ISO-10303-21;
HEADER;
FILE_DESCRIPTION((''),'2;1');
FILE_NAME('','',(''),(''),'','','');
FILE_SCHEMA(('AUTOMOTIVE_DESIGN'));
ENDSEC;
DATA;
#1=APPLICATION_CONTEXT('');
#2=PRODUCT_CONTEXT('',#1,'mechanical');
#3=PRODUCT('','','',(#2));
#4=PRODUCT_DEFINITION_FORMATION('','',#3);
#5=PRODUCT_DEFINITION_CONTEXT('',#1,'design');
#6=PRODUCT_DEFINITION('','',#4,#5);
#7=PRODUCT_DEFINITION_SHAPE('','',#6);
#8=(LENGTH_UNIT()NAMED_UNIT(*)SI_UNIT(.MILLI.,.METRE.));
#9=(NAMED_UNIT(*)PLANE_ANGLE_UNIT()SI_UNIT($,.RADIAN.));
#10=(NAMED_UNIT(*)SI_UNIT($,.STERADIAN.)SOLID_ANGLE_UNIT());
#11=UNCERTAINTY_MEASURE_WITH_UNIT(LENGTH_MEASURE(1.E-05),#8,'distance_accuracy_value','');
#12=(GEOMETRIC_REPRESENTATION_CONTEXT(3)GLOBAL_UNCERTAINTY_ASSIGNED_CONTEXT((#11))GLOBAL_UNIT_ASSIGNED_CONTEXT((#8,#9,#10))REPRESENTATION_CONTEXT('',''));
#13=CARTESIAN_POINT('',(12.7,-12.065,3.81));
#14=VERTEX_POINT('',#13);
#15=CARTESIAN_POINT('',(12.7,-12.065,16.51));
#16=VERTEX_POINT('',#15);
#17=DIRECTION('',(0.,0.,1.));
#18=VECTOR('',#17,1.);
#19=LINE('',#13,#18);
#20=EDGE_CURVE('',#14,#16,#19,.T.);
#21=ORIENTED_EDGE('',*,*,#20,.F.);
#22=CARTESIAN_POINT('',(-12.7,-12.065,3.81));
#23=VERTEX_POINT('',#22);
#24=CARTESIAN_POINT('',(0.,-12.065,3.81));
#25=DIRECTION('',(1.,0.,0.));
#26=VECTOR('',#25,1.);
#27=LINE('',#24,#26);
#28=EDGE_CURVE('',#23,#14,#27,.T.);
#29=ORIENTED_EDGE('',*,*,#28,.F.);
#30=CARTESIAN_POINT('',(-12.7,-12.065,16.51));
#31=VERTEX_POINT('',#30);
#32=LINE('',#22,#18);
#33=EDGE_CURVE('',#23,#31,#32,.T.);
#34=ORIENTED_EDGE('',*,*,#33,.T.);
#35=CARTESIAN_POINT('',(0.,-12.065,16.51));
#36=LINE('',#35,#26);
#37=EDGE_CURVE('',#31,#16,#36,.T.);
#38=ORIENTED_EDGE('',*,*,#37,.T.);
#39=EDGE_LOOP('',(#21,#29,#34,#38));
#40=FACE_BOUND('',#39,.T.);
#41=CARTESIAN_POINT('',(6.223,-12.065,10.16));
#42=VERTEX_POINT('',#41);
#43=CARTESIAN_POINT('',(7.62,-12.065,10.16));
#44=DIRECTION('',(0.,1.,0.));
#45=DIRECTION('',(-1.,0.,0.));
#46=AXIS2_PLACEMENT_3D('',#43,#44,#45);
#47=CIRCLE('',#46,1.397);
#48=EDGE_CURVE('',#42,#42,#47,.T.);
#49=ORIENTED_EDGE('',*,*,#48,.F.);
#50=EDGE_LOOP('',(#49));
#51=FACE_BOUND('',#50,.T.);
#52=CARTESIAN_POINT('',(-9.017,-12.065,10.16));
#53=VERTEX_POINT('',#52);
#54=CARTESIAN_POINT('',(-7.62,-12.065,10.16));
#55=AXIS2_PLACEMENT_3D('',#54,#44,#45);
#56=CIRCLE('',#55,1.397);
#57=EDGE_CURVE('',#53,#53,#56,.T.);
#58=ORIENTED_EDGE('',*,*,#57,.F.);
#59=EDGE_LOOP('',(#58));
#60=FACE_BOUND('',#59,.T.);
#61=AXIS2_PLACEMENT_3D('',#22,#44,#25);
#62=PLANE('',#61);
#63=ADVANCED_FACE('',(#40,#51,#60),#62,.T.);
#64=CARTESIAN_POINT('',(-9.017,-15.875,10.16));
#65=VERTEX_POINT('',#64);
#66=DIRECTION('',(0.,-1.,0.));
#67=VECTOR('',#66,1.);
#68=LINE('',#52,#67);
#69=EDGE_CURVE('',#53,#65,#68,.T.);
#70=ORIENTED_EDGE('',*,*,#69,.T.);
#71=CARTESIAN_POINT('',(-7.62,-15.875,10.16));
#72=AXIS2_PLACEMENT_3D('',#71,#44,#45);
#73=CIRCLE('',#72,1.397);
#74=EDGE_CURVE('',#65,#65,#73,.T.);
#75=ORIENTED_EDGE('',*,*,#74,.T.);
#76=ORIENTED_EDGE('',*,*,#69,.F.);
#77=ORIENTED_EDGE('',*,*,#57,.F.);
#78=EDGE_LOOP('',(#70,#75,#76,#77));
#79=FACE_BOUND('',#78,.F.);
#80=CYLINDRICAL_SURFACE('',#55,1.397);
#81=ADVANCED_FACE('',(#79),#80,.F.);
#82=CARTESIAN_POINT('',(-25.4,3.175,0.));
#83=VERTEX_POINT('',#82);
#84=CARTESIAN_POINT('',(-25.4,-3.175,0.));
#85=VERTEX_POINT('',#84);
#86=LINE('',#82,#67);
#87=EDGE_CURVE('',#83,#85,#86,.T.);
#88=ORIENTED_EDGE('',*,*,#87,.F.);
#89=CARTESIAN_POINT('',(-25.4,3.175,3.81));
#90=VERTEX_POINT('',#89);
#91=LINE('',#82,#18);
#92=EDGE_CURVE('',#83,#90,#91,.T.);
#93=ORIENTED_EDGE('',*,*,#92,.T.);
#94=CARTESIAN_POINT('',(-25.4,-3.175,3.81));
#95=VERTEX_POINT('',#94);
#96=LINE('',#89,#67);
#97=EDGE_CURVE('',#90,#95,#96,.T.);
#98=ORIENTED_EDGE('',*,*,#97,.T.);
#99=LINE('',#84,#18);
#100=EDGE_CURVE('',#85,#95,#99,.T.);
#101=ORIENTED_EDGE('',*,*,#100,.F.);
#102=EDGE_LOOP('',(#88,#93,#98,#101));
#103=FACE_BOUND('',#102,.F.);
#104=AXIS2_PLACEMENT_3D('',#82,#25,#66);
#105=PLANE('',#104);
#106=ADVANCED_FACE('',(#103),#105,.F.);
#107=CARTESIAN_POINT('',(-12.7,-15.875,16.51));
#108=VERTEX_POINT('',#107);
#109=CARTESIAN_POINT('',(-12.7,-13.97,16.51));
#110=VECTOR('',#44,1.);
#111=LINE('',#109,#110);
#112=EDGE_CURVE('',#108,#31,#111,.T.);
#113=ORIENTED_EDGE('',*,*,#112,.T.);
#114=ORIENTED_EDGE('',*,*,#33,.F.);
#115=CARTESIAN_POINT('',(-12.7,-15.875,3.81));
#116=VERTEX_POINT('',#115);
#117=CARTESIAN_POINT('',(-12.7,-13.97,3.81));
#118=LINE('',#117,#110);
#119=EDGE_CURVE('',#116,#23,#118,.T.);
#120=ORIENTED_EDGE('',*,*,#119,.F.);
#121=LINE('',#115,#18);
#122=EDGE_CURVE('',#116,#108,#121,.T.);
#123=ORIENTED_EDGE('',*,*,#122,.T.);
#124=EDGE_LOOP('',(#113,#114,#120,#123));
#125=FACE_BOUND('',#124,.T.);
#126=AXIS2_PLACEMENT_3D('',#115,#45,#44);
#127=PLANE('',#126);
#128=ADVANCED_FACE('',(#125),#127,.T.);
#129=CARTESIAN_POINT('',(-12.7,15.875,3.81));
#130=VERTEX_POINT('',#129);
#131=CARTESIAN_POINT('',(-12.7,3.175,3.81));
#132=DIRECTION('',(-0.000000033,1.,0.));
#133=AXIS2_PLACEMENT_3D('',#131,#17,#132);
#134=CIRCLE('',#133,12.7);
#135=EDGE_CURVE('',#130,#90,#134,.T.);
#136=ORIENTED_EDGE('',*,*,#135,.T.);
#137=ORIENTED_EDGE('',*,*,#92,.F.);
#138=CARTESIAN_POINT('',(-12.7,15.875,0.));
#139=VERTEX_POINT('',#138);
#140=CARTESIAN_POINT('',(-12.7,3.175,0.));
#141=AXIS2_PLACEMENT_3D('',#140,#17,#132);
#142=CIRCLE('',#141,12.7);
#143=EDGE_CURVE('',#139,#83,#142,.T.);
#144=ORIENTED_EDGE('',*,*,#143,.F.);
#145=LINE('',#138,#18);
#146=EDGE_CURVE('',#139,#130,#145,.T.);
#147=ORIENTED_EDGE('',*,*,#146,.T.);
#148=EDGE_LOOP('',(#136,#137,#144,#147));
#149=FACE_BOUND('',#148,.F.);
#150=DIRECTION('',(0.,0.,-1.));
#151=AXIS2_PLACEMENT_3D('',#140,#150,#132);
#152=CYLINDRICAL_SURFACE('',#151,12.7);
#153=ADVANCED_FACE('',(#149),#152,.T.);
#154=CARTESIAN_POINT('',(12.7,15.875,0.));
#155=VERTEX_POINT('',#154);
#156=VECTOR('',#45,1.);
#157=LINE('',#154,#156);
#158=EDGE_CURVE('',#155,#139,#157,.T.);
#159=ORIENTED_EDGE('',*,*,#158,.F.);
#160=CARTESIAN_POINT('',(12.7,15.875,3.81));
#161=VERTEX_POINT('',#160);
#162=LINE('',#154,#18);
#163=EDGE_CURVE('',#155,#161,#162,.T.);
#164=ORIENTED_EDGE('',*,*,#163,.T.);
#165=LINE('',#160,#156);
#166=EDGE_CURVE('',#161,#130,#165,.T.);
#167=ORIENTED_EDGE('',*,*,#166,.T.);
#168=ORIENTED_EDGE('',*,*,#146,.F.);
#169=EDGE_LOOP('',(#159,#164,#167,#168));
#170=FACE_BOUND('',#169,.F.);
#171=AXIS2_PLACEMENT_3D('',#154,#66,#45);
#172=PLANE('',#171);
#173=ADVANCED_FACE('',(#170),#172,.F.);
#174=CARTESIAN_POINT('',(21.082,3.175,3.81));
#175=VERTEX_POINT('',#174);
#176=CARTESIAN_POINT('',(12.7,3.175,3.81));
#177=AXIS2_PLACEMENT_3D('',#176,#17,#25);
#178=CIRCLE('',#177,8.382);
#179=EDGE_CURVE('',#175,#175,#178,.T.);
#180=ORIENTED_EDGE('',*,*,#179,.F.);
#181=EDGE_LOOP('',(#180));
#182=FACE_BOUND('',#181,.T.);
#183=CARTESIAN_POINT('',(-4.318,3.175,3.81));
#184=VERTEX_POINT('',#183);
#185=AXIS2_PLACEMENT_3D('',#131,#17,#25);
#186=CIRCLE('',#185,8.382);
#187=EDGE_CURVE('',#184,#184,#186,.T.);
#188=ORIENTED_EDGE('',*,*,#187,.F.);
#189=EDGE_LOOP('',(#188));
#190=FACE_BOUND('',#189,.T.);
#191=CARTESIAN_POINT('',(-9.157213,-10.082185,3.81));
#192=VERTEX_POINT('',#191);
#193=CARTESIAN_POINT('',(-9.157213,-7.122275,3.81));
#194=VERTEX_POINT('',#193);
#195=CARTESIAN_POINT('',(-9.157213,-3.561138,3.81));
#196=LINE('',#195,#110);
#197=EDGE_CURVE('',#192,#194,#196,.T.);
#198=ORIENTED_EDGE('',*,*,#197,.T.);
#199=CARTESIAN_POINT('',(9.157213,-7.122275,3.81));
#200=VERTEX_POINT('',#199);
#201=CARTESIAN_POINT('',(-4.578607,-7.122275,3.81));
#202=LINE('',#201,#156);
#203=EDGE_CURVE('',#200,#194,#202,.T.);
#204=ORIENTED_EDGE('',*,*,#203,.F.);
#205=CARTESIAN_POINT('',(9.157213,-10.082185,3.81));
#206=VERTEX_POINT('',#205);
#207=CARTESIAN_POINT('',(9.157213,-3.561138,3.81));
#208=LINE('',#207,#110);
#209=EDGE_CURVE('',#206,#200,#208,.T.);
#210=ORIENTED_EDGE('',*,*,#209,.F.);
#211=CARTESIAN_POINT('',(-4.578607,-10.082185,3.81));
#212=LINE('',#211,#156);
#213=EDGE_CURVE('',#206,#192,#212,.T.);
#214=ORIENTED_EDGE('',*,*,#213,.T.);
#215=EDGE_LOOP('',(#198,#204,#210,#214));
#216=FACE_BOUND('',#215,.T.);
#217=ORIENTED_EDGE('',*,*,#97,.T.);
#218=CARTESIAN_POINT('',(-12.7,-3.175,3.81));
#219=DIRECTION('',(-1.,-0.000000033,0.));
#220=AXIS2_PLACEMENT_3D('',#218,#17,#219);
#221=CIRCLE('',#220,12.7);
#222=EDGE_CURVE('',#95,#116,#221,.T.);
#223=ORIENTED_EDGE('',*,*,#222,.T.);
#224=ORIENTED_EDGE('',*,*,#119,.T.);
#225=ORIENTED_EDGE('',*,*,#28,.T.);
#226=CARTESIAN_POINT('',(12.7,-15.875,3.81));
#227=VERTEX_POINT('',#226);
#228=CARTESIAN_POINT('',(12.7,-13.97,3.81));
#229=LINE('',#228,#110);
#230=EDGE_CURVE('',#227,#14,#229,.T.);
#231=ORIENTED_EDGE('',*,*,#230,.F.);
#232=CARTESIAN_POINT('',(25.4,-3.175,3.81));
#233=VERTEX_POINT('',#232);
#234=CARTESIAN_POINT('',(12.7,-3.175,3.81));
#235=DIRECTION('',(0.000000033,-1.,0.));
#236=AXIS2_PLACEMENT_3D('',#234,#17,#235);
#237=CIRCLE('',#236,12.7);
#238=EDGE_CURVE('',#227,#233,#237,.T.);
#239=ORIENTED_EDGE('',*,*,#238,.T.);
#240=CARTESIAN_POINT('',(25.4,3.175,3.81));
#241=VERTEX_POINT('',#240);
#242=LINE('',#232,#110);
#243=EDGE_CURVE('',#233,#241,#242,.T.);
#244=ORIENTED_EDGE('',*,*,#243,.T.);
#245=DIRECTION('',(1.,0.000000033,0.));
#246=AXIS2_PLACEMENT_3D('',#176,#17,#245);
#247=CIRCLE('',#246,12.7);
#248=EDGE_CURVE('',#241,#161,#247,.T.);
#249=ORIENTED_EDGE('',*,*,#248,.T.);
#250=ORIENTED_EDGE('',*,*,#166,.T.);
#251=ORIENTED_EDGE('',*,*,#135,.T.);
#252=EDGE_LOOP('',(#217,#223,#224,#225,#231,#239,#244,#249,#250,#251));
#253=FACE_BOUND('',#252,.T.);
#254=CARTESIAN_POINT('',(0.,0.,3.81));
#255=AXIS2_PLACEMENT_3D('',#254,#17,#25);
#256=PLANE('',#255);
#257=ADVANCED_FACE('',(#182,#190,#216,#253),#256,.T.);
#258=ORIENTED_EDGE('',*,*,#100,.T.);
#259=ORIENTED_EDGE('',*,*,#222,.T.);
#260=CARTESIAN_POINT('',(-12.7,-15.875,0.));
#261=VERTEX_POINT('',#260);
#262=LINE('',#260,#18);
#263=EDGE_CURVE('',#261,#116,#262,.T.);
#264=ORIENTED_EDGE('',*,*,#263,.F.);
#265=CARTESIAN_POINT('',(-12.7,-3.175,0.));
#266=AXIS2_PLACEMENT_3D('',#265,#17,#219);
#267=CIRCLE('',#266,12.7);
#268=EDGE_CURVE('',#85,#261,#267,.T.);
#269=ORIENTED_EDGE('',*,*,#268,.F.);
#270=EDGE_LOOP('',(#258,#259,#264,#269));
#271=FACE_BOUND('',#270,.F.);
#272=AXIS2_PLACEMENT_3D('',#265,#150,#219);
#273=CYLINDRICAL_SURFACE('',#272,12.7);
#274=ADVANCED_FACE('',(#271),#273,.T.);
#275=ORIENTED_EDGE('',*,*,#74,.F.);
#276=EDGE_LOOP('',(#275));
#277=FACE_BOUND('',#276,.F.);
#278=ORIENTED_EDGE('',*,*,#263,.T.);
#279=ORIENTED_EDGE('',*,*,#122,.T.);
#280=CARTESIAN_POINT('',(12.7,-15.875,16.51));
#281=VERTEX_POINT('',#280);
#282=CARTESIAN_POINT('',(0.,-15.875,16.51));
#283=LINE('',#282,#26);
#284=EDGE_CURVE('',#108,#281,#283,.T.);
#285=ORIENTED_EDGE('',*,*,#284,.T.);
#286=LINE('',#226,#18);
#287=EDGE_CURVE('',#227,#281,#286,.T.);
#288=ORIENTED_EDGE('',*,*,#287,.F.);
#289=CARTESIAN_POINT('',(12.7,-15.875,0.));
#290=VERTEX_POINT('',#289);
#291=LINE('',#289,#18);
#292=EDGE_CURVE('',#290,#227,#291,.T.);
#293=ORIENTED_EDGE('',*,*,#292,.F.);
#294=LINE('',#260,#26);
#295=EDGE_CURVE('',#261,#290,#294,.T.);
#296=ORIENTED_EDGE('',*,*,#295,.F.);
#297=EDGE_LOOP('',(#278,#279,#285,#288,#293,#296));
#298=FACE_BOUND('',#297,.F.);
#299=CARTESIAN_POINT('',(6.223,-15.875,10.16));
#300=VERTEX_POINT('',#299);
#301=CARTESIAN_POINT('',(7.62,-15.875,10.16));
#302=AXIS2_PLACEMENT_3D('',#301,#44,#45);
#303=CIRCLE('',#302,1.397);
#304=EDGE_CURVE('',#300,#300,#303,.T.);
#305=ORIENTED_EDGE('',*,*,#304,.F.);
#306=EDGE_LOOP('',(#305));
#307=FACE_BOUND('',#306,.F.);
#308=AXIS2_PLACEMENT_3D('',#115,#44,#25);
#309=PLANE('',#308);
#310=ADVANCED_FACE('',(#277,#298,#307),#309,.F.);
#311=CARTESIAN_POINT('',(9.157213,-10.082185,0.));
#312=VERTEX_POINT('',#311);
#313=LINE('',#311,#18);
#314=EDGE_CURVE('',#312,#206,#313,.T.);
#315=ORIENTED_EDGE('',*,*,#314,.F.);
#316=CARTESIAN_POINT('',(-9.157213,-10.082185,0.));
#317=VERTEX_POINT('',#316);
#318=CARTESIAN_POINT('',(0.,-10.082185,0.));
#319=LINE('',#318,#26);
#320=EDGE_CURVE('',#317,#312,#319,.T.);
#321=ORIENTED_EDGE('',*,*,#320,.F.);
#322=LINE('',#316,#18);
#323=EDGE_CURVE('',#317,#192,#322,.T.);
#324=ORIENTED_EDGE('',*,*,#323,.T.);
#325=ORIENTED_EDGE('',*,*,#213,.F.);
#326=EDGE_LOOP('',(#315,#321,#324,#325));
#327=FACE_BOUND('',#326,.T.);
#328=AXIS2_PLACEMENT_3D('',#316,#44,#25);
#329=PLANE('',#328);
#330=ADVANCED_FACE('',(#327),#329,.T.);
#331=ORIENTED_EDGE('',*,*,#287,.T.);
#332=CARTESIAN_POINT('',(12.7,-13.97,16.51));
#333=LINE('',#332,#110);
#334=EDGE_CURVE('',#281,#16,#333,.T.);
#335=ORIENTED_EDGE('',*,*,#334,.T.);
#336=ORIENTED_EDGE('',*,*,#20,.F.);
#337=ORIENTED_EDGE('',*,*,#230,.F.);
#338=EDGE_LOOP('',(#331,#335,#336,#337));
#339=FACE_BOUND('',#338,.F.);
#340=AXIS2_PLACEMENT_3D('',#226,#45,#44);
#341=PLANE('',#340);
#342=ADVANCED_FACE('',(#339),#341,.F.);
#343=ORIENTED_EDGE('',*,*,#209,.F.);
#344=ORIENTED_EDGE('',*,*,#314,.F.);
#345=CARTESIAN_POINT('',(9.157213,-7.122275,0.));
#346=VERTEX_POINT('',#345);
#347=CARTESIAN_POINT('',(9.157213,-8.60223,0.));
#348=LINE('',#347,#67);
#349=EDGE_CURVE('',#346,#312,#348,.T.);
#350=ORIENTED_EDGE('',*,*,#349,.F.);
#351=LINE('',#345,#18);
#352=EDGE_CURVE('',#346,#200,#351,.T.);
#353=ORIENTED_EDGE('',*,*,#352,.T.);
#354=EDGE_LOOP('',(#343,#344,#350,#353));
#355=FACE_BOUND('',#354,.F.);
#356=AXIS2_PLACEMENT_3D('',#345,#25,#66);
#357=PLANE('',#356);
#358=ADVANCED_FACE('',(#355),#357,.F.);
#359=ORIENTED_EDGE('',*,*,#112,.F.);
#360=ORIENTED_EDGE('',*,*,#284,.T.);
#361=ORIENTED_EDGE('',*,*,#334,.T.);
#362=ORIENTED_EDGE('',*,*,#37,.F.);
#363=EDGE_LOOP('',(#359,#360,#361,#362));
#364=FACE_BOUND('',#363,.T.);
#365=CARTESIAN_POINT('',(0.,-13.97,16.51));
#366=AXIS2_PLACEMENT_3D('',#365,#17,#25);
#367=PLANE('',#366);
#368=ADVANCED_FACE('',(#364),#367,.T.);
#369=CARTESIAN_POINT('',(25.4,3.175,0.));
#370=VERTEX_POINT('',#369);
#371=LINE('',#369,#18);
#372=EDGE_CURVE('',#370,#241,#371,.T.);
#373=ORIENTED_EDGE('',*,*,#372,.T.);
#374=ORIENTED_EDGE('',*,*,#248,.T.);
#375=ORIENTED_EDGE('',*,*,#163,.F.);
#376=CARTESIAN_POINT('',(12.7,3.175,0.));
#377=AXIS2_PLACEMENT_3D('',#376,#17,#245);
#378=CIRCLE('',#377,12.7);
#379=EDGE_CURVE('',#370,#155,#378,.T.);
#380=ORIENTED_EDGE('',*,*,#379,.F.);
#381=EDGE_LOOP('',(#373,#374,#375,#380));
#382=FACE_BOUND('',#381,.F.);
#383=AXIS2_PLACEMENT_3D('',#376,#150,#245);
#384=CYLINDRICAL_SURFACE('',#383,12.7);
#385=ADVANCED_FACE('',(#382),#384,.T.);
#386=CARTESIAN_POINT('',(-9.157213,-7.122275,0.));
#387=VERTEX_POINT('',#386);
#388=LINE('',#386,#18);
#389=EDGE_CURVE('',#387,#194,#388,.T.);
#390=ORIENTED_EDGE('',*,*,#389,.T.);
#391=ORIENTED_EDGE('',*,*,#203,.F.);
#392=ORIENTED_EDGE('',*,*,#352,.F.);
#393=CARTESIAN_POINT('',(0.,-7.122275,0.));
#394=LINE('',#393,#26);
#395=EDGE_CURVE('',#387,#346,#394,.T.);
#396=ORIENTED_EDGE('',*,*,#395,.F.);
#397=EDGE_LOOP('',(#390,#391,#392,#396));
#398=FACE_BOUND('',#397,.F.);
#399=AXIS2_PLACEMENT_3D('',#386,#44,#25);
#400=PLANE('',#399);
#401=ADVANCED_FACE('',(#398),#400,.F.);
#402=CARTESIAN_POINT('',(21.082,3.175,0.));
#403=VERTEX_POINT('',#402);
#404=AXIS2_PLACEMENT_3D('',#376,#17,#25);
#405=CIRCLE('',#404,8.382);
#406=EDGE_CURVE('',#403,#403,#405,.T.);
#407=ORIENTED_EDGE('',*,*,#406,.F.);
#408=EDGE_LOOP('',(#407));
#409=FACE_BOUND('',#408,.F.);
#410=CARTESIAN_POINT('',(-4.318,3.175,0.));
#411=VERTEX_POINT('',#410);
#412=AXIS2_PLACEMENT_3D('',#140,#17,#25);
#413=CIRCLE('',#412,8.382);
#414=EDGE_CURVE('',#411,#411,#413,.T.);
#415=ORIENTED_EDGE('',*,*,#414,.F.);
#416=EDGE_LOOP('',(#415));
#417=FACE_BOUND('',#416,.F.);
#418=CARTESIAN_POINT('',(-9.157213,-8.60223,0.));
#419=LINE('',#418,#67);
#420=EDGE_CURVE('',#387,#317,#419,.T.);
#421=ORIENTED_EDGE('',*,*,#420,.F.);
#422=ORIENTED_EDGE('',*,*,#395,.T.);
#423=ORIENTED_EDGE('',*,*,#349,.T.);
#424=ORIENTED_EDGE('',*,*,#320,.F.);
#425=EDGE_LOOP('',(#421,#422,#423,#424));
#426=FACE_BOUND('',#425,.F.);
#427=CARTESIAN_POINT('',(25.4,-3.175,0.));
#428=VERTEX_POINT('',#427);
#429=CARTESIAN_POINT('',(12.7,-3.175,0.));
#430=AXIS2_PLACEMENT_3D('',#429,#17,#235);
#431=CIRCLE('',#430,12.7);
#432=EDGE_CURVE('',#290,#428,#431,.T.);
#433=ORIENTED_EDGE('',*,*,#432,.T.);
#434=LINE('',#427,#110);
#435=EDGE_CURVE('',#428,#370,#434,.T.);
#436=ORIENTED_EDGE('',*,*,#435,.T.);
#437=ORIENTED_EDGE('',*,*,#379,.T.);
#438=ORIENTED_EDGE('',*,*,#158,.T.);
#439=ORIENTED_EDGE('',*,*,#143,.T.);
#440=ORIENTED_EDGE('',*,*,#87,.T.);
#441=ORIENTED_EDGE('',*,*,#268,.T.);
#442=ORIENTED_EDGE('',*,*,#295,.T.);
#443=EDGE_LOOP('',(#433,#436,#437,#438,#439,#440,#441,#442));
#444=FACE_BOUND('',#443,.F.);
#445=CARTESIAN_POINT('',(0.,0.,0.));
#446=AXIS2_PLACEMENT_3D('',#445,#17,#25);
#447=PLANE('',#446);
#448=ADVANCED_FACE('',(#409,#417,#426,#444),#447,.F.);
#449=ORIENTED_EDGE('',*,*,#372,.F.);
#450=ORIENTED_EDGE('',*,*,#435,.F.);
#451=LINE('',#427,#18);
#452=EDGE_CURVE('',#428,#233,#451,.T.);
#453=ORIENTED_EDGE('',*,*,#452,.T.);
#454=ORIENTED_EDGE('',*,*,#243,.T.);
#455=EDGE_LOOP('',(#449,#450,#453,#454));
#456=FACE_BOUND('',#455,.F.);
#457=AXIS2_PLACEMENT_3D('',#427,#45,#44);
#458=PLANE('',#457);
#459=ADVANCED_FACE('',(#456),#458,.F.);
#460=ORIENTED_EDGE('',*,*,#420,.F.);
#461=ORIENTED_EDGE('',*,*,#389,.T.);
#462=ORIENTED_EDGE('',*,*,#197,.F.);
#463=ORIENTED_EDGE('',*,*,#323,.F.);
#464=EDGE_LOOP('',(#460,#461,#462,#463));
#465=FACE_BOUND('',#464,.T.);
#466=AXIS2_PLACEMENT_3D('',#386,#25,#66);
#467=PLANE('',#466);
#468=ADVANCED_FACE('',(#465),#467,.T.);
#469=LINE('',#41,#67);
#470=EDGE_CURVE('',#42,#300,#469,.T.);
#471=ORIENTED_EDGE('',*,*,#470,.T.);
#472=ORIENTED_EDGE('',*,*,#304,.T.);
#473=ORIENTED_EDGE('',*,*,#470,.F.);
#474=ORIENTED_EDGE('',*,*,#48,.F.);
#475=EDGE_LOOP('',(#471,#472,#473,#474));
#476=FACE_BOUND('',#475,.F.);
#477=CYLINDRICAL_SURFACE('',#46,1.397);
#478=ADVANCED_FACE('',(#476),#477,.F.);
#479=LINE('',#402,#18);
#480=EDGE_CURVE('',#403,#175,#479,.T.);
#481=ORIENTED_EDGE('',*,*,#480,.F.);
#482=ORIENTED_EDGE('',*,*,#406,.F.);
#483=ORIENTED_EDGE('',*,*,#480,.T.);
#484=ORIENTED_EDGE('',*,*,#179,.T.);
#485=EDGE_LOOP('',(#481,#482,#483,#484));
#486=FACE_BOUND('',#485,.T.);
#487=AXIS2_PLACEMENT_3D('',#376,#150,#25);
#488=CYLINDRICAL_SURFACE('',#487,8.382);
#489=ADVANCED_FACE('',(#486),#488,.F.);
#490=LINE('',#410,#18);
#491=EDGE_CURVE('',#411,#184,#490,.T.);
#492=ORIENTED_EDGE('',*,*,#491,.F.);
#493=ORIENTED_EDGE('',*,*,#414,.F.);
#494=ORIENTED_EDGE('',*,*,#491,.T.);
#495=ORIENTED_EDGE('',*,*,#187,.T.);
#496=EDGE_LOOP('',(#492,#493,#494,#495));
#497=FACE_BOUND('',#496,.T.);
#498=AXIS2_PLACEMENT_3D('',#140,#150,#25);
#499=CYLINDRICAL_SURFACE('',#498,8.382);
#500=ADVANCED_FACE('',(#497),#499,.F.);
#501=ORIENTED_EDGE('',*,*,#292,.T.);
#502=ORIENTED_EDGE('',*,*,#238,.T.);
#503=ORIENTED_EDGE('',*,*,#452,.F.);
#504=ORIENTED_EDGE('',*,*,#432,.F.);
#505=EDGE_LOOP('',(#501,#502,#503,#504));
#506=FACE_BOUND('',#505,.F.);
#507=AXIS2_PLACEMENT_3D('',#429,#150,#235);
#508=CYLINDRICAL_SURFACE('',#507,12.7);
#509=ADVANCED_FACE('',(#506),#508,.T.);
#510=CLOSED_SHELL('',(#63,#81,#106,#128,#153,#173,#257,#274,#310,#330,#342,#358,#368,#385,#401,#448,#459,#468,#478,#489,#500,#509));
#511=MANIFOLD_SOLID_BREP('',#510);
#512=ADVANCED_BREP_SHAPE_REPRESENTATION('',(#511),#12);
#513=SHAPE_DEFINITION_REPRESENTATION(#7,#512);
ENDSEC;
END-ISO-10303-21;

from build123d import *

# Parameters (mm, degrees)
F0_R     = 8.382
F1_DEPTH = 3.81
F2_W     = 25.4
F2_H     = 3.81
F3_DEPTH = 12.7
F4_R     = 1.397
F5_DEPTH = 25.4
F6_W     = 18.314426
F6_H     = 2.959909
F7_DEPTH = 25.4


with BuildPart() as f1:
    # F0 (on Top) → F1 (new body)
    with BuildSketch(Plane.XY):
        with BuildLine():
            ThreePointArc((25.4, 3.175), (21.680256, 12.155256), (12.7, 15.875))
            Line((12.7, 15.875), (-12.7, 15.875))
            ThreePointArc((-12.7, 15.875), (-21.680256, 12.155256), (-25.4, 3.175))
            Line((-25.4, 3.175), (-25.4, -3.175))
            ThreePointArc((-25.4, -3.175), (-21.680256, -12.155256), (-12.7, -15.875))
            Line((-12.7, -15.875), (12.7, -15.875))
            ThreePointArc((12.7, -15.875), (21.680256, -12.155256), (25.4, -3.175))
            Line((25.4, -3.175), (25.4, 3.175))
        make_face()
        with Locations((-12.7, 3.175)):
            Circle(F0_R, mode=Mode.SUBTRACT)
        with Locations((12.7, 3.175)):
            Circle(F0_R, mode=Mode.SUBTRACT)
    extrude(amount=F1_DEPTH)

    # F2 (on face) → F3 (join)
    with BuildSketch(Plane.XY.offset(3.81)):
        with Locations((0, -13.97)):
            Rectangle(F2_W, F2_H)
    extrude(amount=F3_DEPTH)

    # F4 (on face) → F5 (cut)
    with BuildSketch(Plane(origin=(0, -12.065, 0), x_dir=(-1, 0, 0), z_dir=(0, 1, 0))):
        with Locations((-7.62, 10.16)):
            Circle(F4_R)
        with Locations((7.62, 10.16)):
            Circle(F4_R)
    extrude(amount=-F5_DEPTH, mode=Mode.SUBTRACT)

    # F6 (on face) → F7 (cut)
    with BuildSketch(Plane(origin=(0, 0, 0), x_dir=(1, 0, 0), z_dir=(0, 0, -1))):
        with Locations((0, 8.60223)):
            Rectangle(F6_W, F6_H)
    extrude(amount=-F7_DEPTH, mode=Mode.SUBTRACT)


solid = f1.part
